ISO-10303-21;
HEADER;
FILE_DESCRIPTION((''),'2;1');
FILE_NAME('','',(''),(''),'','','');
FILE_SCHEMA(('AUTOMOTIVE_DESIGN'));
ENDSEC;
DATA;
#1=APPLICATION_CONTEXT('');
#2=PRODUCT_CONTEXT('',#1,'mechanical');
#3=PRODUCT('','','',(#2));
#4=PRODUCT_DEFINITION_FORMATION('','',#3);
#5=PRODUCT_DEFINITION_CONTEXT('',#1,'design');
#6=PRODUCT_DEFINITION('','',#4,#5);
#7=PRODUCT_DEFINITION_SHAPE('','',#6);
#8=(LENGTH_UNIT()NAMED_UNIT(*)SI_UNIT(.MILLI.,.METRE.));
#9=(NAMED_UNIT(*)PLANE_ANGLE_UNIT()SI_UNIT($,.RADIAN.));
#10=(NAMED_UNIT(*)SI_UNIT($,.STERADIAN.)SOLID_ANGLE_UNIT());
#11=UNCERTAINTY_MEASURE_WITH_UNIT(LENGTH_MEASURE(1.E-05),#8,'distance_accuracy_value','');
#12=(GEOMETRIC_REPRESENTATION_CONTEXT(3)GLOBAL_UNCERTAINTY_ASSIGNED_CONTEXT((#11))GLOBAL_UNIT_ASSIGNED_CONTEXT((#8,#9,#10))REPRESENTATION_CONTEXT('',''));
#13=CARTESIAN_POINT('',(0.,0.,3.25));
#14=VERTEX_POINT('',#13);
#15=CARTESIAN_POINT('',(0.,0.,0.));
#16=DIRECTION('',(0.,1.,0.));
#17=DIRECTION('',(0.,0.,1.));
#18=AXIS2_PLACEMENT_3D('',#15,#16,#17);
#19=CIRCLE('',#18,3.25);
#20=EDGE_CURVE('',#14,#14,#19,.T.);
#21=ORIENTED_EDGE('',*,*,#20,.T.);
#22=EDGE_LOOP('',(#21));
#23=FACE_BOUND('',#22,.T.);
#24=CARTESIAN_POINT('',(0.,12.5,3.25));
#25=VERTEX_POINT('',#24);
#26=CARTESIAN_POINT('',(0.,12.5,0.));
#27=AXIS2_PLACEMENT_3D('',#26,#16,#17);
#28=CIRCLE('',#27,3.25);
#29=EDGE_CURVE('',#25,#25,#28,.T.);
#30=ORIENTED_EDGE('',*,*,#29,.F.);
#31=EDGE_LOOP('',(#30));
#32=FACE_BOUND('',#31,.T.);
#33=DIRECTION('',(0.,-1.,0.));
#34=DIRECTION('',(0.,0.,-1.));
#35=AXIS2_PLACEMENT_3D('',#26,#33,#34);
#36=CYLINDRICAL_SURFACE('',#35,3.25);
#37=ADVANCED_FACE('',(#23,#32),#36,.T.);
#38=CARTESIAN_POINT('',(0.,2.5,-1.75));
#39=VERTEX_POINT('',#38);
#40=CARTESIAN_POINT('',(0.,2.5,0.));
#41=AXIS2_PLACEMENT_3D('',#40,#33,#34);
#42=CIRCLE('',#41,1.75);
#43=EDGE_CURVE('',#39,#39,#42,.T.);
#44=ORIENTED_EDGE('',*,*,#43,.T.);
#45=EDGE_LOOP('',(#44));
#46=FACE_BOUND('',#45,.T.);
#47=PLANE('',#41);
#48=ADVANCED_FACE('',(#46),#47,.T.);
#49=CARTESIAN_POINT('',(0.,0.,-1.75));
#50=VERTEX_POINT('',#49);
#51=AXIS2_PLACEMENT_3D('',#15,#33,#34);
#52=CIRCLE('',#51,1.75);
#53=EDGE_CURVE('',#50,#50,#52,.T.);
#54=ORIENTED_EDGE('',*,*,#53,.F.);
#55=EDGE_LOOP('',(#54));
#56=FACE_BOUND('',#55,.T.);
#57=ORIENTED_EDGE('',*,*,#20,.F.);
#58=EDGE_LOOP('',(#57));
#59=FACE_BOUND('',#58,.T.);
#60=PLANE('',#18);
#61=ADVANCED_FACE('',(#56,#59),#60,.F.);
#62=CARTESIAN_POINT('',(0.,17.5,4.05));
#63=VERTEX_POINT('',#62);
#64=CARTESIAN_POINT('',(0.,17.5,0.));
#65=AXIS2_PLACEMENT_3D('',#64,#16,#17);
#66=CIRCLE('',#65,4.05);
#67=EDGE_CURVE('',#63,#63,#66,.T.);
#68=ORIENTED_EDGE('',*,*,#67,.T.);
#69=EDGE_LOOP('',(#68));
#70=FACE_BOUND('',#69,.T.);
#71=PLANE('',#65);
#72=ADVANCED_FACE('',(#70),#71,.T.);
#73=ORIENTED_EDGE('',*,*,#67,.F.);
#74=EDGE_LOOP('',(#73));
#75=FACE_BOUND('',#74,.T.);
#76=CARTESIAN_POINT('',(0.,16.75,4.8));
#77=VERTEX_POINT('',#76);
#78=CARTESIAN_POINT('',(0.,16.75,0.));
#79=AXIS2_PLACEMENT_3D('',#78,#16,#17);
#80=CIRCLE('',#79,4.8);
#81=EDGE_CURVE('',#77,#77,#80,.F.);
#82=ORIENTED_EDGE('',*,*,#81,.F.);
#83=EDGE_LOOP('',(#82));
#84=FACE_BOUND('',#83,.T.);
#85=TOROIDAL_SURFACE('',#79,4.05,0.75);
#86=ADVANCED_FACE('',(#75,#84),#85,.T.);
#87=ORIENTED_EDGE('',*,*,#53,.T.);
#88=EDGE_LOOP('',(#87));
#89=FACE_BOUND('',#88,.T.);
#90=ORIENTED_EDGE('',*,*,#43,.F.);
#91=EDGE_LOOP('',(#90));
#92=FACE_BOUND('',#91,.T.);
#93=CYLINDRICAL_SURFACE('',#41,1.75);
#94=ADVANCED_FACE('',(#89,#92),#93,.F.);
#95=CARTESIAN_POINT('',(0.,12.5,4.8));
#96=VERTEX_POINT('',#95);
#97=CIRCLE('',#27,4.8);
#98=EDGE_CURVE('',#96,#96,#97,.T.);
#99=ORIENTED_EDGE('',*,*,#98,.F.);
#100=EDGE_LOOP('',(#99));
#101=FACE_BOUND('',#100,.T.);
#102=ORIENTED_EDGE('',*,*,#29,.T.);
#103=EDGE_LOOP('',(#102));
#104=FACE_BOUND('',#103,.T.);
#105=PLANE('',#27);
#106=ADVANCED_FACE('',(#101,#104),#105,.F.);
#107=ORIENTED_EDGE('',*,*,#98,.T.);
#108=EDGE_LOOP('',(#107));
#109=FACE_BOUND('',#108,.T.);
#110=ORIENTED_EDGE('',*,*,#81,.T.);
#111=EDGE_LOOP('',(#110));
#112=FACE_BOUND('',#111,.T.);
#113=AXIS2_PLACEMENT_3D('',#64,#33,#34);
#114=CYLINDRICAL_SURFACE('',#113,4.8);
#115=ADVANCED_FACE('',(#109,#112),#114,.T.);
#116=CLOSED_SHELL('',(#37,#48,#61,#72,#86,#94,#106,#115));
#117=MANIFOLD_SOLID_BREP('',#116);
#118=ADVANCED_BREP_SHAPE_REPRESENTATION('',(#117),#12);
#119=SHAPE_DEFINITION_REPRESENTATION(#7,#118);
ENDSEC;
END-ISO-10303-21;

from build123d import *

# Parameters (mm, degrees)
SKETCH1_R           = 3.25
BOSS_EXTRUDE1_DEPTH = 12.5
SKETCH2_R           = 1.75
CUT_EXTRUDE1_DEPTH  = 2.5
SKETCH6_R           = 4.8
BOSS_EXTRUDE2_DEPTH = 5
FILLET1_R           = 0.75


with BuildPart() as part:
    # Sketch1 → Boss-Extrude1 (new body)
    with BuildSketch(Plane(origin=(0, 0, 0), x_dir=(1, 0, 0), z_dir=(0, 1, 0))):
        Circle(SKETCH1_R)
    extrude(amount=BOSS_EXTRUDE1_DEPTH)

    # Sketch2 → Cut-Extrude1 (cut)
    with BuildSketch(Plane.XZ):
        Circle(SKETCH2_R)
    extrude(amount=-CUT_EXTRUDE1_DEPTH, mode=Mode.SUBTRACT)

    # Sketch6 → Boss-Extrude2 (add)
    with BuildSketch(Plane(origin=(0, 12.5, 0), x_dir=(1, 0, 0), z_dir=(0, 1, 0))):
        Circle(SKETCH6_R)
    extrude(amount=BOSS_EXTRUDE2_DEPTH)

    # Fillet1
    fillet1_edges = [part.edges().sort_by_distance(p)[0] for p in [
        (-4.8, 17.5, 0),
    ]]
    fillet(fillet1_edges, radius=FILLET1_R)


solid = part.part
